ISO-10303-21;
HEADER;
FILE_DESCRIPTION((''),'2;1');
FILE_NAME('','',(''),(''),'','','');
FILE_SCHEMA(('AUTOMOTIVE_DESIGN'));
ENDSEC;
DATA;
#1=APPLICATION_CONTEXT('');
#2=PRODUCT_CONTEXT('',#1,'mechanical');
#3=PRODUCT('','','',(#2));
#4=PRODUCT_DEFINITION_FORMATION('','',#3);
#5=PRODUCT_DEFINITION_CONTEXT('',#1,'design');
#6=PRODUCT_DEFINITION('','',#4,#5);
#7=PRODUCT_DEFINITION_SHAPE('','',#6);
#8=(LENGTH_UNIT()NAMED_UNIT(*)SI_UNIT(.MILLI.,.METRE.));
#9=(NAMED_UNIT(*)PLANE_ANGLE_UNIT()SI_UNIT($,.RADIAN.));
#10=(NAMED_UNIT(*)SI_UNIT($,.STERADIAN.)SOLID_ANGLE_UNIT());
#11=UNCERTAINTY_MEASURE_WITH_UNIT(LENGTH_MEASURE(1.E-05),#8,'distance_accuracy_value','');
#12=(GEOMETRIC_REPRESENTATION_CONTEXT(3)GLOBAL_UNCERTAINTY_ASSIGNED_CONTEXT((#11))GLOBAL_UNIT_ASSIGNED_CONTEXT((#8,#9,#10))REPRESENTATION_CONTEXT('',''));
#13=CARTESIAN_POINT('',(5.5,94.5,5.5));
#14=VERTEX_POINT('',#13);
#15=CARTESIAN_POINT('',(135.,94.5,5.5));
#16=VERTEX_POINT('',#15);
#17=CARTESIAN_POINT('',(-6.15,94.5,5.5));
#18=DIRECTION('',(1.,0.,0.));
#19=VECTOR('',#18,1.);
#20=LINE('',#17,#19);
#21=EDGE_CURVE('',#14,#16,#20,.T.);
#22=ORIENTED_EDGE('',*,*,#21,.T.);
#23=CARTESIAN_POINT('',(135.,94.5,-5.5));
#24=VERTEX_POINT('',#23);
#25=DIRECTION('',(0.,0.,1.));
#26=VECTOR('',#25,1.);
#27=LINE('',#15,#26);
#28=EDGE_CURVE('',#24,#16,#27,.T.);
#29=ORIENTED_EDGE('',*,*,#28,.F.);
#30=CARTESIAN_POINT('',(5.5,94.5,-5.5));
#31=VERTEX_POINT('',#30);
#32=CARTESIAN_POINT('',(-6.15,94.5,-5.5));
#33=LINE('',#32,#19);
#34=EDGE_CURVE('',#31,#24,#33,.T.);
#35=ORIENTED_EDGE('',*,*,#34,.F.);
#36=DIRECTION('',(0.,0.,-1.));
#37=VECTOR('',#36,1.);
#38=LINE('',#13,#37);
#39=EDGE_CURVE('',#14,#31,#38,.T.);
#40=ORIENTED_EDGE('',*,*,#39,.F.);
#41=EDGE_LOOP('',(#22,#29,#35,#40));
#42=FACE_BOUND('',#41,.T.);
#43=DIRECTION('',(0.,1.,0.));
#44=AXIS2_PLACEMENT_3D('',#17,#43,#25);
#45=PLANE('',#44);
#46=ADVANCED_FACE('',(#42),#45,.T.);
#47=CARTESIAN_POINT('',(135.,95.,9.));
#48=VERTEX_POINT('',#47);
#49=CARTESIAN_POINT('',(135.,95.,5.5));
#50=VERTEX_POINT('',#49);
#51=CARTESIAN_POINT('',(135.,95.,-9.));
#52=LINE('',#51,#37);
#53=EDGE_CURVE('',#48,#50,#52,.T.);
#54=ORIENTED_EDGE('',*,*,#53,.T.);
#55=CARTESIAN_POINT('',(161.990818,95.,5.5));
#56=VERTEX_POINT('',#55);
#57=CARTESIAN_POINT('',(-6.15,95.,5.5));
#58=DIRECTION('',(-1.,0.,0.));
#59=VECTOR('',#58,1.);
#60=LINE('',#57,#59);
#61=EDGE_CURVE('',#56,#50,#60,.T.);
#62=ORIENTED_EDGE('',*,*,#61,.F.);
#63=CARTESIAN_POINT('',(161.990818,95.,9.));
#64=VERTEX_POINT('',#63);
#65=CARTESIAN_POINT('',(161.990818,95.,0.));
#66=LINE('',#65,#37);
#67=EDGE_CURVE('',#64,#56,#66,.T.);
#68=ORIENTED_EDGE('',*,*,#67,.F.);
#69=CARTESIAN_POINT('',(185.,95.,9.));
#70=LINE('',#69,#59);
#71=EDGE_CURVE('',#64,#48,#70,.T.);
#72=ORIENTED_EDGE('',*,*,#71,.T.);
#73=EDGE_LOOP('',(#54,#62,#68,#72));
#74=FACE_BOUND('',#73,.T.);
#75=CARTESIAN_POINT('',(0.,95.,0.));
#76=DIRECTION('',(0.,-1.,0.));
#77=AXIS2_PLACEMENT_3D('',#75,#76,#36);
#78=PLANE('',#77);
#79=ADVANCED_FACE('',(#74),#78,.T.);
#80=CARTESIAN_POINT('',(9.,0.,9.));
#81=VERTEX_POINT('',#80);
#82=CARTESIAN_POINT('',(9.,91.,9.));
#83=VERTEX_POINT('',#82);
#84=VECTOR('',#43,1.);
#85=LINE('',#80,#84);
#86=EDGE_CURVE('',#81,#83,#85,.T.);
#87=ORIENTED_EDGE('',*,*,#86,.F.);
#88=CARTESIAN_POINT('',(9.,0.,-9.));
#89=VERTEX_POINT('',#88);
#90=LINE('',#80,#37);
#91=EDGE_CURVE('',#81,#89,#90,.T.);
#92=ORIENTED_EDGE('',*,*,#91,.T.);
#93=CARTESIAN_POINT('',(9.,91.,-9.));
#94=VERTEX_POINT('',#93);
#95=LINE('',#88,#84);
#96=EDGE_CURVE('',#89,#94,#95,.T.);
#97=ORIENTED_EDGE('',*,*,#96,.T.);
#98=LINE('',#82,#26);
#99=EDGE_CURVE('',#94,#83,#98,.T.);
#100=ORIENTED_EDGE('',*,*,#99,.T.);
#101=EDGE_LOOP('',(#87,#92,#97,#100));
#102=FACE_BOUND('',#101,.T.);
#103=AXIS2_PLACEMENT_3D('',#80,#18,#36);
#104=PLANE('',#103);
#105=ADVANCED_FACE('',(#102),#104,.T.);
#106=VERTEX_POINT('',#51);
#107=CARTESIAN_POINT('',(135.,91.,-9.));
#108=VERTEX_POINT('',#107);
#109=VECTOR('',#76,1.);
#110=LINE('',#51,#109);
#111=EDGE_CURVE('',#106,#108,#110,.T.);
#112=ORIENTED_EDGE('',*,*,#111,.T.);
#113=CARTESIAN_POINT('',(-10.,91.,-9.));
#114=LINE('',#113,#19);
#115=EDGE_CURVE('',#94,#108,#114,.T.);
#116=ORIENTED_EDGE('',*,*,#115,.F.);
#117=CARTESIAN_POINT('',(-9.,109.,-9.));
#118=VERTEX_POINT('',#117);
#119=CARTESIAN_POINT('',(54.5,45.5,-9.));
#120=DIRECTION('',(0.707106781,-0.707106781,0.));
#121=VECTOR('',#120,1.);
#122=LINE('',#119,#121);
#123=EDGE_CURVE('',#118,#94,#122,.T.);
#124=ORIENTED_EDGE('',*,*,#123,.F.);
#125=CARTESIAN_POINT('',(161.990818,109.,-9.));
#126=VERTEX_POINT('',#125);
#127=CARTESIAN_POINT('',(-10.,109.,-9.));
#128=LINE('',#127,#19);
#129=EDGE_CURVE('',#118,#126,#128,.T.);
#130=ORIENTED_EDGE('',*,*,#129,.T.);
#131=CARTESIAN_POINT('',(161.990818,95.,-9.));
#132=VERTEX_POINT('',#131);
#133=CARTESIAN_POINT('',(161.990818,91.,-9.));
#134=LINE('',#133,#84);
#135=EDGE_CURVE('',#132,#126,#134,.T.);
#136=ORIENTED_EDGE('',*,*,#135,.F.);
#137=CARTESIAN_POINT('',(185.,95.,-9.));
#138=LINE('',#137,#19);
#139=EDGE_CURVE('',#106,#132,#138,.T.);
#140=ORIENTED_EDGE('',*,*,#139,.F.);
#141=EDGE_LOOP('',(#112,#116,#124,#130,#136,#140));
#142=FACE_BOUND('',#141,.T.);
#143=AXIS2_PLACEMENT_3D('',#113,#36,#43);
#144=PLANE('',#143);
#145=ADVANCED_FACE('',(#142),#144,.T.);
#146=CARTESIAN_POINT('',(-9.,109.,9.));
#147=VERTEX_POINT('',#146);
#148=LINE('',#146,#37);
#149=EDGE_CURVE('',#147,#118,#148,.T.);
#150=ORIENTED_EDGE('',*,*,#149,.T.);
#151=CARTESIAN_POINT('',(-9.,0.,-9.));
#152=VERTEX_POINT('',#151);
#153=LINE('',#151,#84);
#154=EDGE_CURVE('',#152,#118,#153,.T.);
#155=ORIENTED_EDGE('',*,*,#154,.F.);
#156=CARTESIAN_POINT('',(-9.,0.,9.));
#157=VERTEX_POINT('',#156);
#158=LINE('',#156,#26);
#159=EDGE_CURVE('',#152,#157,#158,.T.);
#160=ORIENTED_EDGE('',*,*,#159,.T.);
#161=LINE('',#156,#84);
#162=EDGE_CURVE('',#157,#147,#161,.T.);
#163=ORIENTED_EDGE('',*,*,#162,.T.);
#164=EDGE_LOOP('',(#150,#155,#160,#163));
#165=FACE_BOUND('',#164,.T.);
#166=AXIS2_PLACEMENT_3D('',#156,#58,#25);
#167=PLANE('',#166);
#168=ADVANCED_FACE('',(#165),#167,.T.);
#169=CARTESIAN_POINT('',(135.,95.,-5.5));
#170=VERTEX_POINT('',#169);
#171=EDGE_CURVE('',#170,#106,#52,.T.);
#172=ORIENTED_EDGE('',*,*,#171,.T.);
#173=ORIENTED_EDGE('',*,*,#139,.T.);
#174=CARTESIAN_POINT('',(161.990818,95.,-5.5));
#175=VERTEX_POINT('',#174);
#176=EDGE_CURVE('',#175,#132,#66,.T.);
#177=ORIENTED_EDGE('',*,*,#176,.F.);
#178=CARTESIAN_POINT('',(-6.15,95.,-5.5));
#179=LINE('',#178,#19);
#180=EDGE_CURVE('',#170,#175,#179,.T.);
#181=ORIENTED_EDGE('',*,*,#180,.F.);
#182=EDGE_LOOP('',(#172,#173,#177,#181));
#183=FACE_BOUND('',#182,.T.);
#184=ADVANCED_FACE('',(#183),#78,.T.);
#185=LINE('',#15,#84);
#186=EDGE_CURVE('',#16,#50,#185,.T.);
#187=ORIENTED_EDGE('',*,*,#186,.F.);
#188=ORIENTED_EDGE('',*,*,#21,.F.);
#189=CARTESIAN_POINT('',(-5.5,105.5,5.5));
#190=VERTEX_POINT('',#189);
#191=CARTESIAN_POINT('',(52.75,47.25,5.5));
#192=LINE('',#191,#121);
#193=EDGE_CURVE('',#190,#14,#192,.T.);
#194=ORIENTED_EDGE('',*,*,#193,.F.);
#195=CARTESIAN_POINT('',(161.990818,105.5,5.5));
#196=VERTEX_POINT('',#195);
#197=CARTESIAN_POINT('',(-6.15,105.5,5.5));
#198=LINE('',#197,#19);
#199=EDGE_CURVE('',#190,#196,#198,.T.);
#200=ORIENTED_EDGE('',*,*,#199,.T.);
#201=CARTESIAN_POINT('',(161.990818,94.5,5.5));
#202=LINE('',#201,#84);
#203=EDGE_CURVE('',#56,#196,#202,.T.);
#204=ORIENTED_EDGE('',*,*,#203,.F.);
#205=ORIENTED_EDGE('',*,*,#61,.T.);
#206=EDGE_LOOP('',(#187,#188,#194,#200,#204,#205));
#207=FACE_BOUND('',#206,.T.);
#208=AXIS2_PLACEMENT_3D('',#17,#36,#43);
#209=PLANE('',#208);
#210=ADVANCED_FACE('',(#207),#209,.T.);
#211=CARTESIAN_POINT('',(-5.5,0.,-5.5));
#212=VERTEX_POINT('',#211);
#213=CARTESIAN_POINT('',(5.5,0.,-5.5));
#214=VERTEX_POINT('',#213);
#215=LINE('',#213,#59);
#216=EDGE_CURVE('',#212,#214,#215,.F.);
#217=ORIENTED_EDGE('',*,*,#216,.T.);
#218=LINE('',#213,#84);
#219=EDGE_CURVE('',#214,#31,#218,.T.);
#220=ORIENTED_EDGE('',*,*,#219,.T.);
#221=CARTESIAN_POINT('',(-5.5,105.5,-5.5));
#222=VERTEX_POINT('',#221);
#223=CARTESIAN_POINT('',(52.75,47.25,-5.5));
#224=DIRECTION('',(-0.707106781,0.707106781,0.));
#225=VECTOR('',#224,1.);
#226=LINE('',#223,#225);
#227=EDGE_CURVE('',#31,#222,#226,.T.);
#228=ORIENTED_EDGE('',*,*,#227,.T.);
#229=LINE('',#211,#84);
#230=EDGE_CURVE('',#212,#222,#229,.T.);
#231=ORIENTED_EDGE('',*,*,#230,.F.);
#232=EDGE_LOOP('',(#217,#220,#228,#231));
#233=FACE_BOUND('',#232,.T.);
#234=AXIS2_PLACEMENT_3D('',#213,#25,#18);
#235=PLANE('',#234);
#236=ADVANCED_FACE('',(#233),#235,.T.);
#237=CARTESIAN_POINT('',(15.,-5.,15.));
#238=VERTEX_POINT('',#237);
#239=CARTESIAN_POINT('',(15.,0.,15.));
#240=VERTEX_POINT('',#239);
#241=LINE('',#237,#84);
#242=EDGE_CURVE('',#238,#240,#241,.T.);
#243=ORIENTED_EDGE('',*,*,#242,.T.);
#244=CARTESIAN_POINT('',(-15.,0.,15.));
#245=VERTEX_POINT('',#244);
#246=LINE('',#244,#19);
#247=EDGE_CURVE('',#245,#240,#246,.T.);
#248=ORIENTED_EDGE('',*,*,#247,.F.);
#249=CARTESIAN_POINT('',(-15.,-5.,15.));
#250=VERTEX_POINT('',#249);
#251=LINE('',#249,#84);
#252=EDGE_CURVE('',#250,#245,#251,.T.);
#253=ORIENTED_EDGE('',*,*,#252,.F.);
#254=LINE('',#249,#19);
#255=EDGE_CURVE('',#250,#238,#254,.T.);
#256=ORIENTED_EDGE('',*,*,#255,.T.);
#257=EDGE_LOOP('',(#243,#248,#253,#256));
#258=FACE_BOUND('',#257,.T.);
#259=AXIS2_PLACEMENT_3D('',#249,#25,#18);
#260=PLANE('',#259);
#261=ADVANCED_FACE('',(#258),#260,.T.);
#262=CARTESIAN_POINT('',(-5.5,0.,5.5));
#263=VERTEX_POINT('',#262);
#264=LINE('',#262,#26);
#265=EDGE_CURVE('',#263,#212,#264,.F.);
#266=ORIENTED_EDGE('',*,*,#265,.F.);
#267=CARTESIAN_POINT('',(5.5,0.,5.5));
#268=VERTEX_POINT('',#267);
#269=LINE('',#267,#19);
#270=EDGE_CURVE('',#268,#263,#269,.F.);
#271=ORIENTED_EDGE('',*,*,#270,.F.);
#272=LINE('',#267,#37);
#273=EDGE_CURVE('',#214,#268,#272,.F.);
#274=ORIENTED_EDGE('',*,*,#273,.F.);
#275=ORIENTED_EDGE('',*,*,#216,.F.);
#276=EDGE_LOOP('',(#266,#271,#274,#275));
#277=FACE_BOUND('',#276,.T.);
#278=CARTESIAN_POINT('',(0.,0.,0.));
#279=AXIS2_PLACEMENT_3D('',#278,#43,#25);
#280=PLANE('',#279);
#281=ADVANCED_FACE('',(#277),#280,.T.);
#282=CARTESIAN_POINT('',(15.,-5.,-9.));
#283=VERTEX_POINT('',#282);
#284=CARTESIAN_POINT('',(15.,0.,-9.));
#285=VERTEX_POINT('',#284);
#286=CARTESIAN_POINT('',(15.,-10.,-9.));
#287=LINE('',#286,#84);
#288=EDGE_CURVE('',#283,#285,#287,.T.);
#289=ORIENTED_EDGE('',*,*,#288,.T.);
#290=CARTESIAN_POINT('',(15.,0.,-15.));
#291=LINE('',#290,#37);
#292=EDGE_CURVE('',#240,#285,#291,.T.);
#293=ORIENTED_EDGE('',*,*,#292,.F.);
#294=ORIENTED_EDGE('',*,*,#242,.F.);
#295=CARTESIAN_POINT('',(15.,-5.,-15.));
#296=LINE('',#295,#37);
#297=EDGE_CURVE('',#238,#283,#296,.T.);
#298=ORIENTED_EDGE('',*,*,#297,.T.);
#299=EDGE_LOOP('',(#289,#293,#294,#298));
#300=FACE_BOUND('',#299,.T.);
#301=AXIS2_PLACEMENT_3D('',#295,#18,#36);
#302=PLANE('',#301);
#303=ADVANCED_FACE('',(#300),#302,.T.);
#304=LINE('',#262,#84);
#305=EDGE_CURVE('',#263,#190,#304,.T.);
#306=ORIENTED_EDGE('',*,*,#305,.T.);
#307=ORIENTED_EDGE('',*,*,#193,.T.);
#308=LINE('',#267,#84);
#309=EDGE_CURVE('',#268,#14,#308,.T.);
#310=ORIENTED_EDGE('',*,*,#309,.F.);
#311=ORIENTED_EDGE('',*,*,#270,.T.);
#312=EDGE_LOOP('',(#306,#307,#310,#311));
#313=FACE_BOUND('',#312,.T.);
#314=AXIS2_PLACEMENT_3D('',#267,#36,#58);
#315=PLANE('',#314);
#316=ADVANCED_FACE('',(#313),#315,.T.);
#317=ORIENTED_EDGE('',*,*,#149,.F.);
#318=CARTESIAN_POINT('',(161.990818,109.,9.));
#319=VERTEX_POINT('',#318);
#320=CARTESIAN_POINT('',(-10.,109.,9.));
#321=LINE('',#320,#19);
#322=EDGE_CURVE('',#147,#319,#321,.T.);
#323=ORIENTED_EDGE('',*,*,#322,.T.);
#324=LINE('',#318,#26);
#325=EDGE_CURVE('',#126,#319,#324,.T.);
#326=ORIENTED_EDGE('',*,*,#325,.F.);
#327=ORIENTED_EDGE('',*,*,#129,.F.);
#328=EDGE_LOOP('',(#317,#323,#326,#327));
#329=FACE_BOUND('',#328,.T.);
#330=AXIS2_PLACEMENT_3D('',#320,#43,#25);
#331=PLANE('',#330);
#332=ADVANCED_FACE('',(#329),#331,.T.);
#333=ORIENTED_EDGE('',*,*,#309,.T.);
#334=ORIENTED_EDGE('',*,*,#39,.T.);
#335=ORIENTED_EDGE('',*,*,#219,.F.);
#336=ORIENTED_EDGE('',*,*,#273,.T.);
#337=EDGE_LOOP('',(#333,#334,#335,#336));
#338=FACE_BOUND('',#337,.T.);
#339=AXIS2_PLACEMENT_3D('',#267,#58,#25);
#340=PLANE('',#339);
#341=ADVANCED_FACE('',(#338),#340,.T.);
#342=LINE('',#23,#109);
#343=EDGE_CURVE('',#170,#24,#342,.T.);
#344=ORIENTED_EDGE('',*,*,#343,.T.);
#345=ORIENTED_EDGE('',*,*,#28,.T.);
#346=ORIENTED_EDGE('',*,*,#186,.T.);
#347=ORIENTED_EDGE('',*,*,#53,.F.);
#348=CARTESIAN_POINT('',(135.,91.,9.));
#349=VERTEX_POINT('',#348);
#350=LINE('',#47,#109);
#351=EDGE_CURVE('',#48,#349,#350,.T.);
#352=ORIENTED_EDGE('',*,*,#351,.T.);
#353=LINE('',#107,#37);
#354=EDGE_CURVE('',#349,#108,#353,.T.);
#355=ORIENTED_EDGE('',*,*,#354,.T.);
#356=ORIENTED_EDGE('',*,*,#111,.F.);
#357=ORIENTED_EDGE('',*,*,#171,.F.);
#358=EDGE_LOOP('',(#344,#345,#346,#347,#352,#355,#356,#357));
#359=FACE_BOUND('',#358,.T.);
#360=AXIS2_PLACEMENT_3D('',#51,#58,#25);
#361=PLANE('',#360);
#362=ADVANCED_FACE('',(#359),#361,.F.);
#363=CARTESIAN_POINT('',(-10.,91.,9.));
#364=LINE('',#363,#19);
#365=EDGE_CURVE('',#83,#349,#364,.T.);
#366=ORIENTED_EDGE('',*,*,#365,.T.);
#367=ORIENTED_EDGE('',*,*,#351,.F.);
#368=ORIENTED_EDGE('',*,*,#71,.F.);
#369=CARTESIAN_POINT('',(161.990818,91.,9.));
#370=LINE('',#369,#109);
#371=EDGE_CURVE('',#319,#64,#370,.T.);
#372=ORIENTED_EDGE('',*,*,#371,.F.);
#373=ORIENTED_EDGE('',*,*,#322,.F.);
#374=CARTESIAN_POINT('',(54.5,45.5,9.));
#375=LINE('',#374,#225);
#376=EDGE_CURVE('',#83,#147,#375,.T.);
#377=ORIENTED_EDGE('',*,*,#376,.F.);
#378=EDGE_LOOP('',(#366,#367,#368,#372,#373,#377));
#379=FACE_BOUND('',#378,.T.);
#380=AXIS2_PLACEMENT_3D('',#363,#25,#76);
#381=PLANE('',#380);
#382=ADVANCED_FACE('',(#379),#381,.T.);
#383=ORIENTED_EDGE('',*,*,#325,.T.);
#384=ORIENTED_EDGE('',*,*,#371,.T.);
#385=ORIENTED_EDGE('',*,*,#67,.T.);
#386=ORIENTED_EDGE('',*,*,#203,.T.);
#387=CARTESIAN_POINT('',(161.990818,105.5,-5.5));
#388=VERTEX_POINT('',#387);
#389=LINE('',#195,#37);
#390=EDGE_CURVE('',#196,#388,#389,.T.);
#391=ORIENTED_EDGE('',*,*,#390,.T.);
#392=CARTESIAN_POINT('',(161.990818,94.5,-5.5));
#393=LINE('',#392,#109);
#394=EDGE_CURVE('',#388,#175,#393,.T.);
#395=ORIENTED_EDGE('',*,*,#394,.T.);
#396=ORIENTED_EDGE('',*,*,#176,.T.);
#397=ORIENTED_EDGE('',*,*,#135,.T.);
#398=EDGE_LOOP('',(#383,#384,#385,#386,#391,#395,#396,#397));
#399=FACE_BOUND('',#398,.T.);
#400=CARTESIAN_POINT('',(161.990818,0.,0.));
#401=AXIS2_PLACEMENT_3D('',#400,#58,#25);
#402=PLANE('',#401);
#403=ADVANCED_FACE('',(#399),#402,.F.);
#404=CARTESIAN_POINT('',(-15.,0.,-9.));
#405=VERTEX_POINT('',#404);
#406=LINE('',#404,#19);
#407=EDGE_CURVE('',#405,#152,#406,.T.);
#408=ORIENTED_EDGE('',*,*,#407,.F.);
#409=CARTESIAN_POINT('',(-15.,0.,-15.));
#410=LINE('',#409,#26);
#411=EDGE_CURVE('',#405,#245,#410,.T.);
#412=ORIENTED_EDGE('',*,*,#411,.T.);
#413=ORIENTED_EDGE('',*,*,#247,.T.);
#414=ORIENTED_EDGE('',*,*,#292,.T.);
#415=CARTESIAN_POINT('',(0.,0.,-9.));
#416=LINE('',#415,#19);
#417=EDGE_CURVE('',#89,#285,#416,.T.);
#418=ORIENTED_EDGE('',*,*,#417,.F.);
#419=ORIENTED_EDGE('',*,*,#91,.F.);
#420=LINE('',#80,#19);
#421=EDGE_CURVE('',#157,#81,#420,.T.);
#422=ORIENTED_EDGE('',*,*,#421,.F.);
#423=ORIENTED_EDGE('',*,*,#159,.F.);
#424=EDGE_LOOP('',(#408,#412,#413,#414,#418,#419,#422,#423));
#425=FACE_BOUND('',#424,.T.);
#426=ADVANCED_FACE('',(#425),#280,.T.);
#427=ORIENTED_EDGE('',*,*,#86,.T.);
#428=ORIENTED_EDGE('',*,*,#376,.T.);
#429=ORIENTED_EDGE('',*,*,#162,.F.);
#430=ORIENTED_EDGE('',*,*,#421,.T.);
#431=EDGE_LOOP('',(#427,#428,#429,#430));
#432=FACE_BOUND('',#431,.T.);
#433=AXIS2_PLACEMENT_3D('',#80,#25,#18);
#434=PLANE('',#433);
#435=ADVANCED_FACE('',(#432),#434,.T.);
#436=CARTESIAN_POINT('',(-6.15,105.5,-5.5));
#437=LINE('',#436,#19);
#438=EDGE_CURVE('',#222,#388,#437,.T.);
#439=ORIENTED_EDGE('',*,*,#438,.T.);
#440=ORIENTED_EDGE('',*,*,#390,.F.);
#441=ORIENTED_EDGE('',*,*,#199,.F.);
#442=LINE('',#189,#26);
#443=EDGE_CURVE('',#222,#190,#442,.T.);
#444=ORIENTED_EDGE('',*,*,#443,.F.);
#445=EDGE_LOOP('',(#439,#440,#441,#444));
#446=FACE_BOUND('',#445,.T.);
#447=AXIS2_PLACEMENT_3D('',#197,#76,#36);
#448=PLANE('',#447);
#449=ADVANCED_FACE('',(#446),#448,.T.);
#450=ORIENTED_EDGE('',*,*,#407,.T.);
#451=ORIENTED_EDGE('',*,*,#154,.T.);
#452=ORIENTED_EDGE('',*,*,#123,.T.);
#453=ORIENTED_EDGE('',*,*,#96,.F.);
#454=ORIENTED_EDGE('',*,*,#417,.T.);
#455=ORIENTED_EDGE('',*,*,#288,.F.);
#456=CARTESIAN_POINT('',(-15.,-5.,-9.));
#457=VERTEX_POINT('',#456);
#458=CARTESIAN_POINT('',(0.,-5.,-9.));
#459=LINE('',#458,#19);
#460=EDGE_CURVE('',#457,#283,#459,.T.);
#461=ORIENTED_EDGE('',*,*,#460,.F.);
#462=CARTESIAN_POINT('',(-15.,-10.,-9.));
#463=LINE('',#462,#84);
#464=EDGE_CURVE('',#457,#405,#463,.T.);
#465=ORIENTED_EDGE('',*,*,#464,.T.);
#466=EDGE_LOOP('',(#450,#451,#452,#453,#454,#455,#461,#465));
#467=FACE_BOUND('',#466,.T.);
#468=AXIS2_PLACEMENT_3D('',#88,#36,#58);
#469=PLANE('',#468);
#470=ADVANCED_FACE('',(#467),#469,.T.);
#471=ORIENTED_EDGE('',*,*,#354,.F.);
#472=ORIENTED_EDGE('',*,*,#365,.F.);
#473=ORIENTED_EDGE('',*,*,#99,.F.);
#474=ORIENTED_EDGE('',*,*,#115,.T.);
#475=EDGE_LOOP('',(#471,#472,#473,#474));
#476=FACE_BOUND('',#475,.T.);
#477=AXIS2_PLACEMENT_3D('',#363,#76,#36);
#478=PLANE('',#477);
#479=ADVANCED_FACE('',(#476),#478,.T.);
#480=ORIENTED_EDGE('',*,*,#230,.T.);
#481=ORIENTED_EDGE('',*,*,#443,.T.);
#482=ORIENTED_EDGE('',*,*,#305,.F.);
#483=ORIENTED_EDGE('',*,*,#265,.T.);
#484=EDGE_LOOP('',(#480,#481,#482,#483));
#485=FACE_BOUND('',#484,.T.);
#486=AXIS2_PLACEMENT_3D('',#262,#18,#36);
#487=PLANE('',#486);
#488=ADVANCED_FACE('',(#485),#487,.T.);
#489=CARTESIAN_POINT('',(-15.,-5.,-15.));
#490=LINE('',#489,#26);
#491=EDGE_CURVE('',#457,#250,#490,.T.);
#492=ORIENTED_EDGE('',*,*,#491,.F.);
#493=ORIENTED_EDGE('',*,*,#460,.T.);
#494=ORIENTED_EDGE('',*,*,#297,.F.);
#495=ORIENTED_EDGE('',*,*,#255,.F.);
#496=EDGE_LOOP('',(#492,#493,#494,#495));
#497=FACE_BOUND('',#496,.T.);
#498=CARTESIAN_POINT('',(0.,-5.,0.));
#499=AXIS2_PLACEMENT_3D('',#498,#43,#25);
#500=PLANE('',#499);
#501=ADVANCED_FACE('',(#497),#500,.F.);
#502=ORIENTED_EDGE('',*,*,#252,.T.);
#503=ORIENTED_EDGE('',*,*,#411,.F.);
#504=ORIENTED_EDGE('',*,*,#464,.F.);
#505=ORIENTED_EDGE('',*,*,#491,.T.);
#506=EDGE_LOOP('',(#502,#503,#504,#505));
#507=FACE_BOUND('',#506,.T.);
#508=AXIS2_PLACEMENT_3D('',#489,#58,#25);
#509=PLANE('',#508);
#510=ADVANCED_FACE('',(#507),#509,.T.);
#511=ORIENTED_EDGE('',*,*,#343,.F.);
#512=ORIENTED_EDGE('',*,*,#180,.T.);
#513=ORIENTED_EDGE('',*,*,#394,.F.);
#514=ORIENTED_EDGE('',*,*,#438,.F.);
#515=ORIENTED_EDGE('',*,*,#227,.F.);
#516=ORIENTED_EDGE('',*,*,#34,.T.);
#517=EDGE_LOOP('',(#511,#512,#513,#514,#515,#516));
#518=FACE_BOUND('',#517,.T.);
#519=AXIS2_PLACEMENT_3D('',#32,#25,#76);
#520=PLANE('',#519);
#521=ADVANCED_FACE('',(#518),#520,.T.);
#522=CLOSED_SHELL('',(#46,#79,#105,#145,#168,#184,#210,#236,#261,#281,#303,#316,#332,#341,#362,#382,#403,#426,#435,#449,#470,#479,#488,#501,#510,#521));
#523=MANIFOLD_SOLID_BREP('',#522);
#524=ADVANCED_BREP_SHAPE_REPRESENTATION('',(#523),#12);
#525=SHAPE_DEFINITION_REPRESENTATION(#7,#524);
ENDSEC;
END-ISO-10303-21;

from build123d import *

# Parameters (mm, degrees)
SKETCH2_W           = 18
SKETCH2_H           = 18
SKETCH2_W_2         = 11
SKETCH2_H_2         = 11
SKETCH3_W           = 30
SKETCH3_H           = 30
SKETCH3_W_2         = 33.981635874
SKETCH3_H_2         = 34.73651567
BOSS_EXTRUDE1_DEPTH = 5
SKETCH4_W           = 50
SKETCH4_H           = 18
CUT_EXTRUDE1_DEPTH  = 4
SKETCH5_W           = 61.801380332
SKETCH5_H           = 123.620772257
CUT_EXTRUDE2_DEPTH  = 175
SKETCH6_W           = 30
SKETCH6_H           = 6
CUT_EXTRUDE3_DEPTH  = 10


with BuildPart() as part:
    # Sweep2: sweep along a path in Sketch1
    with BuildLine(Plane.XY) as sweep2_path:
        Line((0, 0), (0, 100))
        Line((0, 100), (320, 100))
        Line((320, 100), (320, 0))
    # Sketch2 → Sweep2 (sweep)
    with BuildSketch(Plane(origin=(0, 0, 0), x_dir=(1, 0, 0), z_dir=(0, 1, 0))):
        Rectangle(SKETCH2_W, SKETCH2_H)
        Rectangle(SKETCH2_W_2, SKETCH2_H_2, mode=Mode.SUBTRACT)
    sweep(path=sweep2_path.line, transition=Transition.RIGHT)

    # Sketch3 → Boss-Extrude1 (add)
    with BuildSketch(Plane(origin=(0, 0, 0), x_dir=(1, 0, 0), z_dir=(0, 1, 0))):
        Rectangle(SKETCH3_W, SKETCH3_H)
        with Locations((320, 0)):
            Rectangle(SKETCH3_W_2, SKETCH3_H_2)
    extrude(amount=-BOSS_EXTRUDE1_DEPTH)

    # Sketch4 → Cut-Extrude1 (cut)
    with BuildSketch(Plane.XZ.offset(-91)):
        with Locations((160, 0)):
            Rectangle(SKETCH4_W, SKETCH4_H)
    extrude(amount=-CUT_EXTRUDE1_DEPTH, mode=Mode.SUBTRACT)

    # Sketch5 → Cut-Extrude2 (cut)
    with BuildSketch(Plane(origin=(336.990817937, 0, 0), x_dir=(0, 0, -1), z_dir=(1, 0, 0))):
        with Locations((13.532432331, 56.810386129)):
            Rectangle(SKETCH5_W, SKETCH5_H)
    extrude(amount=-CUT_EXTRUDE2_DEPTH, mode=Mode.SUBTRACT)

    # Sketch6 → Cut-Extrude3 (cut)
    with BuildSketch(Plane(origin=(0, 0, 0), x_dir=(1, 0, 0), z_dir=(0, 1, 0))):
        with Locations((0, 12)):
            Rectangle(SKETCH6_W, SKETCH6_H)
    extrude(amount=-CUT_EXTRUDE3_DEPTH, mode=Mode.SUBTRACT)


solid = part.part
